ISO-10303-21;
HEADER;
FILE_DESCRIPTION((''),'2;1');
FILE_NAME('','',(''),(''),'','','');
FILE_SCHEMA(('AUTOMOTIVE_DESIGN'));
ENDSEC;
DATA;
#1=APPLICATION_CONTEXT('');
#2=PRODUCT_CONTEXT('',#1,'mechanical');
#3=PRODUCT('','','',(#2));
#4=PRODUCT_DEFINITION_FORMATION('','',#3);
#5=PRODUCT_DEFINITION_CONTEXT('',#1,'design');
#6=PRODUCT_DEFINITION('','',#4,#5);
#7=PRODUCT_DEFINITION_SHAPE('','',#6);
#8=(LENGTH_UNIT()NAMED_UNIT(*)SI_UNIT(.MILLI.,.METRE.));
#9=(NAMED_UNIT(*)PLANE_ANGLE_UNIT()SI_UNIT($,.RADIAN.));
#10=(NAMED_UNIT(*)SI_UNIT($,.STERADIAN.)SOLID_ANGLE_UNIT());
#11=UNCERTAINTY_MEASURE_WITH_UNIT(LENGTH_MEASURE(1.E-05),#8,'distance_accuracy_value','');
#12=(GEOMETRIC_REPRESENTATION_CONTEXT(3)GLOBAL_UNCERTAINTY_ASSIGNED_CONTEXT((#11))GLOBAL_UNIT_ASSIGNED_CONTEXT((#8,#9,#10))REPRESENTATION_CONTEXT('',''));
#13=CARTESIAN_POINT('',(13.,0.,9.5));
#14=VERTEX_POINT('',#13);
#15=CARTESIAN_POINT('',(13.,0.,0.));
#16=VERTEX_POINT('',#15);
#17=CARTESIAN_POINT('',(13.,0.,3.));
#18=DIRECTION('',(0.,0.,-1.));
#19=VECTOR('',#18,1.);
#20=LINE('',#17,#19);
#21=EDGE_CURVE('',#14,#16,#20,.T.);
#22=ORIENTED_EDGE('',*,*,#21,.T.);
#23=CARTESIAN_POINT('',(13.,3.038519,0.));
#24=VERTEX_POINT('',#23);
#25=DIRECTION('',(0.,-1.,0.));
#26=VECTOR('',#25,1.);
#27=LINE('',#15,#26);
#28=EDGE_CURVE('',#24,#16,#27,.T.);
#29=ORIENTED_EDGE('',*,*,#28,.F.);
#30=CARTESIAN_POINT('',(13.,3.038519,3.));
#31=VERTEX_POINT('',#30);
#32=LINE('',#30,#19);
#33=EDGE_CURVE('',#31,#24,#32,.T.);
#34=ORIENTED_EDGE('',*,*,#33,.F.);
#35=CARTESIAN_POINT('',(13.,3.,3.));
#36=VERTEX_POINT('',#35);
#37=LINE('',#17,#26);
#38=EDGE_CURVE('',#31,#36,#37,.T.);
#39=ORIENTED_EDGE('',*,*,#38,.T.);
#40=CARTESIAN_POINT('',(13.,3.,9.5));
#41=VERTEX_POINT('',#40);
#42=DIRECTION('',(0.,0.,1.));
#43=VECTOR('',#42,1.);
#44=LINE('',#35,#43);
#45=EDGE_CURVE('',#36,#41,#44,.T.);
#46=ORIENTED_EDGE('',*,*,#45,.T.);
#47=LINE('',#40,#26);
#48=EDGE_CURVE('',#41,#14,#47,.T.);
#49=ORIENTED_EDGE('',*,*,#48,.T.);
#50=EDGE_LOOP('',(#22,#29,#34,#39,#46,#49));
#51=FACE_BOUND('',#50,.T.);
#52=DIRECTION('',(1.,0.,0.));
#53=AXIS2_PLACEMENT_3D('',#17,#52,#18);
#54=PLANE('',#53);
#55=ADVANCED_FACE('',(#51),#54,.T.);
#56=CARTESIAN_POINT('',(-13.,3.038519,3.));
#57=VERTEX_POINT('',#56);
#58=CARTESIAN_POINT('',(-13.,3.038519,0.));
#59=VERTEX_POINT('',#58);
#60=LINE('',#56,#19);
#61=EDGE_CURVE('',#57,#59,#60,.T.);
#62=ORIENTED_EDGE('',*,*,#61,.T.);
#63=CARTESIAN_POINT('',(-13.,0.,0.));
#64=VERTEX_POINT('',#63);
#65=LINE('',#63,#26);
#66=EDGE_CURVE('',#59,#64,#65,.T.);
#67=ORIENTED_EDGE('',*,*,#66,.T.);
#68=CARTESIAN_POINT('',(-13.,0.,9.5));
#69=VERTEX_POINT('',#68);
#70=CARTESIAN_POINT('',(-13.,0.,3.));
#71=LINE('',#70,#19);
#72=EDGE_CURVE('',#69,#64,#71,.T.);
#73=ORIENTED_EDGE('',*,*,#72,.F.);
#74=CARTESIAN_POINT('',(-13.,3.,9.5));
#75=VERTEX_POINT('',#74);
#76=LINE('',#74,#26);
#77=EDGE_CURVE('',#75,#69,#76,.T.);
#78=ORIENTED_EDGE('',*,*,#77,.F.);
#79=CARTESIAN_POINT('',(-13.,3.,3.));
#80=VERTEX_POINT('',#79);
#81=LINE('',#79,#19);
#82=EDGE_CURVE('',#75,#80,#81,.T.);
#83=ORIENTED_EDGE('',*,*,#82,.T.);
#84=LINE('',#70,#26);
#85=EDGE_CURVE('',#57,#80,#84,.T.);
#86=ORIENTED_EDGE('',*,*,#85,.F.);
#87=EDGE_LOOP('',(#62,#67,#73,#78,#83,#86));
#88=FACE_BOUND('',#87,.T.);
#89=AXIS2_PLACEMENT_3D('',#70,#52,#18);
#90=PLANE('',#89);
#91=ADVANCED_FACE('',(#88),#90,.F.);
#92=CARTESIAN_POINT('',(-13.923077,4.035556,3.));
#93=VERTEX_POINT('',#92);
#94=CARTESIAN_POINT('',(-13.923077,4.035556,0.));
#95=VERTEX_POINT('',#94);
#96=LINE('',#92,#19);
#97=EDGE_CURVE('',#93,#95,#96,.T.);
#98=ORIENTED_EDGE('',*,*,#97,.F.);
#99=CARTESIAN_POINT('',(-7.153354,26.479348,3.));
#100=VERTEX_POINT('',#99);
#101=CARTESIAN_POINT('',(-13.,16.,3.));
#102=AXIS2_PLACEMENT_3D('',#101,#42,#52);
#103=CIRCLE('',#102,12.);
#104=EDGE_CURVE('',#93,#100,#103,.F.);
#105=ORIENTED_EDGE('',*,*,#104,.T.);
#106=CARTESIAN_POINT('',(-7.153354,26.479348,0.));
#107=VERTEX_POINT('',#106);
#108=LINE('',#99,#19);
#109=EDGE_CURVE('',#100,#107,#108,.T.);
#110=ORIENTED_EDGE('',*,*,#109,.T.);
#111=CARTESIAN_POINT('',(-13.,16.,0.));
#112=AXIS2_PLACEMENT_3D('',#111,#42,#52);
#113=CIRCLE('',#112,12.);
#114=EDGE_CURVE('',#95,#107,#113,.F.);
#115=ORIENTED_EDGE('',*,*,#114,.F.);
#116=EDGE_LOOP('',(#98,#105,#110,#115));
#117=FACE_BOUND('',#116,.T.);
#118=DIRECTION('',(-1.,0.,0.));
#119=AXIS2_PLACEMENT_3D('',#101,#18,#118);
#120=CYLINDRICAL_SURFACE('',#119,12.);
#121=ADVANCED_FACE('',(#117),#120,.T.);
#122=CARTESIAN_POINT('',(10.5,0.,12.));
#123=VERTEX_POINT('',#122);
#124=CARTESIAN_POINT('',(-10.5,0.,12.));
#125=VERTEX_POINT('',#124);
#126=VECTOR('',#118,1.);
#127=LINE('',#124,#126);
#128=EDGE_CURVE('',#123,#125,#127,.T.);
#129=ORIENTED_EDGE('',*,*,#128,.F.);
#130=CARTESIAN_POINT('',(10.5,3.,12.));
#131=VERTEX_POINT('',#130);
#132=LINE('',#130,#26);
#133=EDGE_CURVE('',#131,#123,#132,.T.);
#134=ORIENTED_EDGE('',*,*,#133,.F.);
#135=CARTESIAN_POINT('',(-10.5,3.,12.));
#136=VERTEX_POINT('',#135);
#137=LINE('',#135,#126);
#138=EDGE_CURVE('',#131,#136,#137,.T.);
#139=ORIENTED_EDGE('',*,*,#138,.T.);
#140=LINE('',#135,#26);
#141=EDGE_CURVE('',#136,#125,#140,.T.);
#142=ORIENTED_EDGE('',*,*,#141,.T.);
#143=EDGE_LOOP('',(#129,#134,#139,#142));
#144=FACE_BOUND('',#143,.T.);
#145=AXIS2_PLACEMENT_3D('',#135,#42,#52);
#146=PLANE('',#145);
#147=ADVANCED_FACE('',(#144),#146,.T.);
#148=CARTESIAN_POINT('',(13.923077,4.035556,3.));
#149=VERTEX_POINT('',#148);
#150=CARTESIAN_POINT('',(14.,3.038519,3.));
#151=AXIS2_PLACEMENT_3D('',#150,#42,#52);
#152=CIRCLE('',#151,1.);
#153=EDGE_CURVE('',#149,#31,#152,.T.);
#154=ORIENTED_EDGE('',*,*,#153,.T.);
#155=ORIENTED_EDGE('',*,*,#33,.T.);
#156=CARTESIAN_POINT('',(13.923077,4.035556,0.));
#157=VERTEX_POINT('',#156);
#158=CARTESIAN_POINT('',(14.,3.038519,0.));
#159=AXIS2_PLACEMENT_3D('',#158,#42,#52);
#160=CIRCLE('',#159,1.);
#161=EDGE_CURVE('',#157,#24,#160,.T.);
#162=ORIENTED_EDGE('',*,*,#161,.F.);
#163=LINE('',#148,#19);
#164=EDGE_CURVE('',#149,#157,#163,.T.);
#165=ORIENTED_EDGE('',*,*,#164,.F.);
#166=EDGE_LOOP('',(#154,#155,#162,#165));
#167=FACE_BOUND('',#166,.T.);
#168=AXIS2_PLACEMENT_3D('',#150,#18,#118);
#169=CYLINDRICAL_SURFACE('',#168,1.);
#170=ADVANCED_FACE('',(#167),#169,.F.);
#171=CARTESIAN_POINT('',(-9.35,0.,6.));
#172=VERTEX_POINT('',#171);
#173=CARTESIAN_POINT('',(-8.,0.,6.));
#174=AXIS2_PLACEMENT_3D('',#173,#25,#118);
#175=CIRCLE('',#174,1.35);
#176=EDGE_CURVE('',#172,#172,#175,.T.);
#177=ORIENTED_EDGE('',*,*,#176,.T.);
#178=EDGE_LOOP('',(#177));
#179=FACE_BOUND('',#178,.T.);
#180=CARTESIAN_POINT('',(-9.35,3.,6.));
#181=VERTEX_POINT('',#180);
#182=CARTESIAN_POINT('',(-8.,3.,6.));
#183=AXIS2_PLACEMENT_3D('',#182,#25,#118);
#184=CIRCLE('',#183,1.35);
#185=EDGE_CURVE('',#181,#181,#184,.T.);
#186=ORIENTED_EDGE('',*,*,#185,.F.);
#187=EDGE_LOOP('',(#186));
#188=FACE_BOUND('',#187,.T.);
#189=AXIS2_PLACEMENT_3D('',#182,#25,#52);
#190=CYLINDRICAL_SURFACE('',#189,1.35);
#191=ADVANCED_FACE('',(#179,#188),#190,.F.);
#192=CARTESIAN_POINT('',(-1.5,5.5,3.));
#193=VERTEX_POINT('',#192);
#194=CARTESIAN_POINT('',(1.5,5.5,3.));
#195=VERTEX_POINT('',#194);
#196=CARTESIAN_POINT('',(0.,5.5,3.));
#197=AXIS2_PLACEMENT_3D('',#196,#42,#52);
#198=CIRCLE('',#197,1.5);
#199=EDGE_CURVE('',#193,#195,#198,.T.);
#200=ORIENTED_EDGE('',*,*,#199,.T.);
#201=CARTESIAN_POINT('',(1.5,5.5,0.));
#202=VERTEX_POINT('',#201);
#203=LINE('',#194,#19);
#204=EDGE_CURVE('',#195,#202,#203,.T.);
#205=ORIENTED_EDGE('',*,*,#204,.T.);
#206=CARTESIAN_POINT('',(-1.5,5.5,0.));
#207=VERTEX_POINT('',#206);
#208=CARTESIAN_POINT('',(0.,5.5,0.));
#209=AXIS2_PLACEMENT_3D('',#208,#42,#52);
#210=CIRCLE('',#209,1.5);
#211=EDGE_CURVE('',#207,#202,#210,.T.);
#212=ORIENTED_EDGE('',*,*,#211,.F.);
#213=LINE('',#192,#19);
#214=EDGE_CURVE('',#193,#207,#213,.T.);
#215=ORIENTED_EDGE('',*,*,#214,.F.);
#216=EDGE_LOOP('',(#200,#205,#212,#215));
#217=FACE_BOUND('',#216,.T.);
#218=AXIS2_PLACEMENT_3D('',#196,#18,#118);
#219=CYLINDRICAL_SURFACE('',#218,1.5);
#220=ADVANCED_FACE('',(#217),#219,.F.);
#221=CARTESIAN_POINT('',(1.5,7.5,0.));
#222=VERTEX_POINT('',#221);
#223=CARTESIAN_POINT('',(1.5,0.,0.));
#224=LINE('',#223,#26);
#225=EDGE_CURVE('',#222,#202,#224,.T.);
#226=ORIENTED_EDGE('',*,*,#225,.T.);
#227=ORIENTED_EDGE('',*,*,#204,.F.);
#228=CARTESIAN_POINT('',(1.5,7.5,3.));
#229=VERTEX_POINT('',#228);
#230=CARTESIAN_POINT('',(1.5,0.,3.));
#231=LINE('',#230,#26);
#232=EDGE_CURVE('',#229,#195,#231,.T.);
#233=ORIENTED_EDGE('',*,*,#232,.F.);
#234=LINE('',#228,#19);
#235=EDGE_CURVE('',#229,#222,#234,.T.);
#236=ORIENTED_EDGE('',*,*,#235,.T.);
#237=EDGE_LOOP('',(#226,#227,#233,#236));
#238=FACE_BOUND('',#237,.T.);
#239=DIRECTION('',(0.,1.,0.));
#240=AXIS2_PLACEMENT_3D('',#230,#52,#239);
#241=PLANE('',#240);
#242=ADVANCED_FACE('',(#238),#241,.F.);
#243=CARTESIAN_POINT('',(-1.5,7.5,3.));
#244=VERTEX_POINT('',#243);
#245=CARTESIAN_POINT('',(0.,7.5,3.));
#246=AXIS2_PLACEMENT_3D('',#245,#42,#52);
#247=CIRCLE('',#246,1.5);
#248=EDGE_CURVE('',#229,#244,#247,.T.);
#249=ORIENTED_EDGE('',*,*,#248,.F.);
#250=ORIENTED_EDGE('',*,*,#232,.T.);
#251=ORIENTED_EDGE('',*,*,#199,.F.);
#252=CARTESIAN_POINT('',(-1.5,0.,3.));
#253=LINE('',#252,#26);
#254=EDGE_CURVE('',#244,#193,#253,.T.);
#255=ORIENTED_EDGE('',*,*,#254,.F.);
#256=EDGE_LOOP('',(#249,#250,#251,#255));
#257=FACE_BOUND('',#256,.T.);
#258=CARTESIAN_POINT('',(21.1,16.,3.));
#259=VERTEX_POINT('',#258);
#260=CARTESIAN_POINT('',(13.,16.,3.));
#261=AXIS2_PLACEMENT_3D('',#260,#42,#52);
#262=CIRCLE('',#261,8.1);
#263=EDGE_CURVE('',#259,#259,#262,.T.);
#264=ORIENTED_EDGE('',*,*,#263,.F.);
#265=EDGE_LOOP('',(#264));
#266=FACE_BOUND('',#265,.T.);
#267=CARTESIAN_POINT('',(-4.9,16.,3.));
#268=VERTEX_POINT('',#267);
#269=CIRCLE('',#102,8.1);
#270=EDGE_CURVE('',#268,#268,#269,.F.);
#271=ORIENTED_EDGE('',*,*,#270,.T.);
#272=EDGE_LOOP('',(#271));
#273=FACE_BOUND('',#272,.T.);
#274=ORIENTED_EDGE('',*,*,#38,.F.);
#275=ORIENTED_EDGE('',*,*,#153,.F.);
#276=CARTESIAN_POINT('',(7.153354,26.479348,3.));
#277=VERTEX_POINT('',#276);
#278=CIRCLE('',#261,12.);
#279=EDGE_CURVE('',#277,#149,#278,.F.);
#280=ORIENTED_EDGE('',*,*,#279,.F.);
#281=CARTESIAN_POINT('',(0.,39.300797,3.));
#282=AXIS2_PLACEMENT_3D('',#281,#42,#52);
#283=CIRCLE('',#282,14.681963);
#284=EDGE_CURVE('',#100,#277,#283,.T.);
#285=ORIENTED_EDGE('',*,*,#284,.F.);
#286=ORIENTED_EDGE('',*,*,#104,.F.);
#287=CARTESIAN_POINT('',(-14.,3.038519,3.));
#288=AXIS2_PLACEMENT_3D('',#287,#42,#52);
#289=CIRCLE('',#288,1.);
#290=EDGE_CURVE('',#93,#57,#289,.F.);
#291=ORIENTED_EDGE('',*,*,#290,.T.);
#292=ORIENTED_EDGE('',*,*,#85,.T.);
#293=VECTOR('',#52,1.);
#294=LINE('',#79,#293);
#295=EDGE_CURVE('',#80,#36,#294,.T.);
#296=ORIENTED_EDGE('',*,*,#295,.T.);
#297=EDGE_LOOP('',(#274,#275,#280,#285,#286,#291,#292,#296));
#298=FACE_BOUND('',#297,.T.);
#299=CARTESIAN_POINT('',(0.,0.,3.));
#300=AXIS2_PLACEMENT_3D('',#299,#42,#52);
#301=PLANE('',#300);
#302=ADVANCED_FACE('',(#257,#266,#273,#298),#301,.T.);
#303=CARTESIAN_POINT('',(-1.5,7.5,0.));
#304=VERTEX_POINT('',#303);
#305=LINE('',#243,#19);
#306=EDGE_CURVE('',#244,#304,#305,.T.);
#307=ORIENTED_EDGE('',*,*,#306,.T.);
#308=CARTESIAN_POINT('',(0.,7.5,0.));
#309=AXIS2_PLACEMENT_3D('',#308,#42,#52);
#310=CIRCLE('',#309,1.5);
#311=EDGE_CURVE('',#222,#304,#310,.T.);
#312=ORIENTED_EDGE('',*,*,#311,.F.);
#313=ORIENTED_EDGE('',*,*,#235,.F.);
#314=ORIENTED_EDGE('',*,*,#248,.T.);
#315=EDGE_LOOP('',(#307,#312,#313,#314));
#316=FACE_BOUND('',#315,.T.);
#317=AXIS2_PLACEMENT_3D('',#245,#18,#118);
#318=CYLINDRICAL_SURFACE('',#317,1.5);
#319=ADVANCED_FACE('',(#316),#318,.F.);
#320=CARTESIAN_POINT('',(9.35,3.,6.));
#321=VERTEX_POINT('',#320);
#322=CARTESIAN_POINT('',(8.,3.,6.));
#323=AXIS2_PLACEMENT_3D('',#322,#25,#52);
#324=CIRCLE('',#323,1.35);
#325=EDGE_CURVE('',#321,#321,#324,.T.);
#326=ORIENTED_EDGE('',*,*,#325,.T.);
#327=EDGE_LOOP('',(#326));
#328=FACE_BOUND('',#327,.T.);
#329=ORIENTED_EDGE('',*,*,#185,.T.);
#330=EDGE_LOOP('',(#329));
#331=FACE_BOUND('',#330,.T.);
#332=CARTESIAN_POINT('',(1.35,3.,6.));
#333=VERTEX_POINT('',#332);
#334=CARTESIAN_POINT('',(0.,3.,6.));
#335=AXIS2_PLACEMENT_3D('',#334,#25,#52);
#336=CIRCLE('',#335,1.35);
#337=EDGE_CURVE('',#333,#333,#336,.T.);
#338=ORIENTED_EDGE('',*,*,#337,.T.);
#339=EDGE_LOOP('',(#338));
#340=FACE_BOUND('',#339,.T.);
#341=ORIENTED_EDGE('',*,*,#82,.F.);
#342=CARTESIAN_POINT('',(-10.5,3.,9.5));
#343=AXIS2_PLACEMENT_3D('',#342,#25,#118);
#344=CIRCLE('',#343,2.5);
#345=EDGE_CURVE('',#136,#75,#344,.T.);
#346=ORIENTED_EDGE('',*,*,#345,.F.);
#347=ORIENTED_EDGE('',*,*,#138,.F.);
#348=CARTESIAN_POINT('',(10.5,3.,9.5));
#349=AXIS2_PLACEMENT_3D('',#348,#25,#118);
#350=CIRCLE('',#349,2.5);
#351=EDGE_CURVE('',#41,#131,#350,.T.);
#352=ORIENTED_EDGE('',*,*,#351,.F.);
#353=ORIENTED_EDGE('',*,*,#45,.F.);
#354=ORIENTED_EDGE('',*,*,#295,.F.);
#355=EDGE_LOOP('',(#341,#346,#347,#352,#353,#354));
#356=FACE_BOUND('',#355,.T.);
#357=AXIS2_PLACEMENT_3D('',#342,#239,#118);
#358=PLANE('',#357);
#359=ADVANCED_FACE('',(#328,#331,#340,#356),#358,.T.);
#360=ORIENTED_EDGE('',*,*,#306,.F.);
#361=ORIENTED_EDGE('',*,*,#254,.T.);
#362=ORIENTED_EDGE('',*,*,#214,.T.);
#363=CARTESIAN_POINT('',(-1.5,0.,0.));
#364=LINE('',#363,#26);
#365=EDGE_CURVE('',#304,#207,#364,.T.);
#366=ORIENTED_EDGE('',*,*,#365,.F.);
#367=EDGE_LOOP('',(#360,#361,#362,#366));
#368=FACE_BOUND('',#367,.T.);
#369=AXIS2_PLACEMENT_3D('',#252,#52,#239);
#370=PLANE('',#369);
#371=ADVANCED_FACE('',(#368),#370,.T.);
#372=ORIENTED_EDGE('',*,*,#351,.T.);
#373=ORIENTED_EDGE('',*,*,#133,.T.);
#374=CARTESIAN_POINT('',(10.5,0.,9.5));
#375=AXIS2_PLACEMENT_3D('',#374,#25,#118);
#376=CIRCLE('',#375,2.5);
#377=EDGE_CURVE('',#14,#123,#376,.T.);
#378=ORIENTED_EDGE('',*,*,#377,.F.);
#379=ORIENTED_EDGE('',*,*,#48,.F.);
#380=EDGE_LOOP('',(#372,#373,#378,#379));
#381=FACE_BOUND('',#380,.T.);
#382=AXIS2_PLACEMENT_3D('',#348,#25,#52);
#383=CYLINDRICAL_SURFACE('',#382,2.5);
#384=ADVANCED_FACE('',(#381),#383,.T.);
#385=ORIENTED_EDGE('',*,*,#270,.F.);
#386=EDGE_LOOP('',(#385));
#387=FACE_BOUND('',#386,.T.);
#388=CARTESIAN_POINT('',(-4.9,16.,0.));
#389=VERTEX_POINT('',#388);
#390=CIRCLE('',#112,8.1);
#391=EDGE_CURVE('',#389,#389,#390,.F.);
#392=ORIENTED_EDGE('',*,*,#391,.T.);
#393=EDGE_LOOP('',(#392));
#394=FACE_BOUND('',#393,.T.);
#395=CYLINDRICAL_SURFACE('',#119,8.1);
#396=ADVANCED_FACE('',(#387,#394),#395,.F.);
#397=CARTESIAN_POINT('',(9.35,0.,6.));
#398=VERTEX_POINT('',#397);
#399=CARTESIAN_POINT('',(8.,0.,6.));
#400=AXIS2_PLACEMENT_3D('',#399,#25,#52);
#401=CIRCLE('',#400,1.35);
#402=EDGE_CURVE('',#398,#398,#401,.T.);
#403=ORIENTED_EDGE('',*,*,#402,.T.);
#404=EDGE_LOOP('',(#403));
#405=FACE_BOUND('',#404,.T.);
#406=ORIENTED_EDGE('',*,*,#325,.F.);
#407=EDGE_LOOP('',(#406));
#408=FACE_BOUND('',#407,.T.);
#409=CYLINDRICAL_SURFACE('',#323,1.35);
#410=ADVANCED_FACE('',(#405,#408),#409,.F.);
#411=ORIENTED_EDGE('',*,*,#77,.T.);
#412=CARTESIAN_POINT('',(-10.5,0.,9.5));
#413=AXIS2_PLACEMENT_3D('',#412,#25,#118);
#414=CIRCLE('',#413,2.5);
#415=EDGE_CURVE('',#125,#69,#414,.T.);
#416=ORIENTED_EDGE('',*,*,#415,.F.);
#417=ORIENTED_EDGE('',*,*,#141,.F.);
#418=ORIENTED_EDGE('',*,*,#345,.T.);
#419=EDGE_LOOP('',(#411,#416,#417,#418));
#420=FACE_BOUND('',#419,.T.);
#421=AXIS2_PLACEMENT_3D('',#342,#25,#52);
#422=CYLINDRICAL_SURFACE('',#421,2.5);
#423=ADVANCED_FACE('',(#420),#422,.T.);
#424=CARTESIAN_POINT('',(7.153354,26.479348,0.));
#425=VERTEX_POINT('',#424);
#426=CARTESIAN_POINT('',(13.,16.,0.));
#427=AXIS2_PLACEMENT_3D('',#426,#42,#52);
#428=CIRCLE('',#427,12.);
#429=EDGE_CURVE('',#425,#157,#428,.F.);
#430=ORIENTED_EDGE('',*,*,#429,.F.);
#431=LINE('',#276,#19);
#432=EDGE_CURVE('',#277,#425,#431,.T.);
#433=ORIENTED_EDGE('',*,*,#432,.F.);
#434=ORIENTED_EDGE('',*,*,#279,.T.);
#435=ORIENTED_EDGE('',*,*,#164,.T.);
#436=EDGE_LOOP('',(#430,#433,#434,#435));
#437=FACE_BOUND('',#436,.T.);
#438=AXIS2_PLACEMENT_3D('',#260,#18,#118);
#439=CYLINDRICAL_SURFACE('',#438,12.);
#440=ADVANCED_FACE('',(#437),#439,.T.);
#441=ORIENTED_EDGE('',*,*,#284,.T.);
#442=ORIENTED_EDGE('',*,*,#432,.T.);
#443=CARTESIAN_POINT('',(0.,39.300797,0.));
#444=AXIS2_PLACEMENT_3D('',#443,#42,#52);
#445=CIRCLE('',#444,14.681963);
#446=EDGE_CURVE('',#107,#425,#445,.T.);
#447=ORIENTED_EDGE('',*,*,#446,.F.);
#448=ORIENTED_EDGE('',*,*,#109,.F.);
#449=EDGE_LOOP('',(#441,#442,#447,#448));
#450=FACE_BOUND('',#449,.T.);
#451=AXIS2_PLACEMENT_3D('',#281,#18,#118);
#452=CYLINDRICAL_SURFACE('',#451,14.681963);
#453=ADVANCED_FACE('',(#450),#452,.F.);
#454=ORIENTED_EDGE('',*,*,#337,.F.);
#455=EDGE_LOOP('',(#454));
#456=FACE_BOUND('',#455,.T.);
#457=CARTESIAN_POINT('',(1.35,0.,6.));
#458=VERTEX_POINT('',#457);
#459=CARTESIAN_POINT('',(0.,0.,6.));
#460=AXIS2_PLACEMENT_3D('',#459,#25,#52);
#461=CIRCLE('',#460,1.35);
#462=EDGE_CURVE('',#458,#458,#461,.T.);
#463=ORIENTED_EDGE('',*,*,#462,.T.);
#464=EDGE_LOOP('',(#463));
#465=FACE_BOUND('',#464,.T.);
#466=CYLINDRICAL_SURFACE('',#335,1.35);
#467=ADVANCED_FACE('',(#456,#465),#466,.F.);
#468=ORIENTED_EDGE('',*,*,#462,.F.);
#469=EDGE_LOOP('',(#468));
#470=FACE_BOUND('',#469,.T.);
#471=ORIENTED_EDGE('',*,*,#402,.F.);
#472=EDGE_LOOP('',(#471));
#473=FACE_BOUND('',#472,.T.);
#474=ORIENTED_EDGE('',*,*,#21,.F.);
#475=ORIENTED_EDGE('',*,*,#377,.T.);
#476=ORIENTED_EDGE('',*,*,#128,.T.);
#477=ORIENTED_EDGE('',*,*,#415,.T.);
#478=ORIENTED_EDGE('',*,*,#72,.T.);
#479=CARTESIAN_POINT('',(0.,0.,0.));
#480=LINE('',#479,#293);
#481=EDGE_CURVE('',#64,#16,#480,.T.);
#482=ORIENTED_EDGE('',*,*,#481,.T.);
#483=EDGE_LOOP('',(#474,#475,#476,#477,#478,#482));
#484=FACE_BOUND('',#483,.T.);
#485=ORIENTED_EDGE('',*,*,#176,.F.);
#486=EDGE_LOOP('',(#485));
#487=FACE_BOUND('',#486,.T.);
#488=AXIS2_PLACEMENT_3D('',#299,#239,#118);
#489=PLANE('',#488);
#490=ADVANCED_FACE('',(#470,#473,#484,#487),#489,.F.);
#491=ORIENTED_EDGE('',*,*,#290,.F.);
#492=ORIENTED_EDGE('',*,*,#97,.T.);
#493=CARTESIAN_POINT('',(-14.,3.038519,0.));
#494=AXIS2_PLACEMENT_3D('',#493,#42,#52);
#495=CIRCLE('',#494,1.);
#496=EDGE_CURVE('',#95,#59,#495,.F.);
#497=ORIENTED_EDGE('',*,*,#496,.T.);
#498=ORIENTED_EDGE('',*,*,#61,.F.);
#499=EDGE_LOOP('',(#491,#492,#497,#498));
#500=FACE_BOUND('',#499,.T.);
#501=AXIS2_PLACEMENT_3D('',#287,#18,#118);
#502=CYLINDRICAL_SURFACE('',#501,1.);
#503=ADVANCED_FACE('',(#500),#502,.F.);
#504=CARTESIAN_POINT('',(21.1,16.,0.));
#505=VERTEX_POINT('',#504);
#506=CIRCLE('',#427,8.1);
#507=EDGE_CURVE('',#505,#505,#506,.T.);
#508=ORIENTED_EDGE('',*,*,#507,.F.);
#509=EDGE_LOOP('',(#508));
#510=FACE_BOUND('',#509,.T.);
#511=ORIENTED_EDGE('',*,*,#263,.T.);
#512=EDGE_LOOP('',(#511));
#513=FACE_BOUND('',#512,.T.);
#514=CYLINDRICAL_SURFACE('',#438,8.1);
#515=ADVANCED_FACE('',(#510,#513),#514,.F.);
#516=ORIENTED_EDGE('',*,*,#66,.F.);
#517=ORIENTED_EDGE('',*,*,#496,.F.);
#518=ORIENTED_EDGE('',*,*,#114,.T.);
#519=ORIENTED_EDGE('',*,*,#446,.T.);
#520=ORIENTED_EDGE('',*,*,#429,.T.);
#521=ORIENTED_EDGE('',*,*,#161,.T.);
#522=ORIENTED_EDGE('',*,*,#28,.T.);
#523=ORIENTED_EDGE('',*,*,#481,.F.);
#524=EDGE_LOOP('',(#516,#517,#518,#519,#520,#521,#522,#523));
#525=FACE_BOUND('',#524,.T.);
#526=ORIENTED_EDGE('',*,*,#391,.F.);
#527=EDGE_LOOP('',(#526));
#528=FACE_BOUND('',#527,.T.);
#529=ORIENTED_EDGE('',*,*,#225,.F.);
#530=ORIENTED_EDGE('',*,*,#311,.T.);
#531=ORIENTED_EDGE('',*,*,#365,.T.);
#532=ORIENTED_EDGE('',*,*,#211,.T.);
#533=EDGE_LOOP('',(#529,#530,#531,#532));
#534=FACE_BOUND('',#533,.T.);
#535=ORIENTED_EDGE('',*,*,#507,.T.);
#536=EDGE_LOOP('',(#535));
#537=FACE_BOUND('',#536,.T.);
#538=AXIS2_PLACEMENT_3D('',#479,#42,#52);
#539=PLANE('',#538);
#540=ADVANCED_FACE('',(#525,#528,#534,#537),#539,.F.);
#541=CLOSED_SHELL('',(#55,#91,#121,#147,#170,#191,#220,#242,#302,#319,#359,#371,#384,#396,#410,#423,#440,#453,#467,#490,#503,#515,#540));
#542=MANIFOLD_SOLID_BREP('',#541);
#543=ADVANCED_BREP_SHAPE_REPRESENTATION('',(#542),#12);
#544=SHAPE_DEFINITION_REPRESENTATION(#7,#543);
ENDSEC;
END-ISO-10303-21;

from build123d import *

# Parameters (mm, degrees)
SKETCH1_R           = 8.1
BOSS_EXTRUDE1_DEPTH = 3
SKETCH3_R           = 1.35
BOSS_EXTRUDE2_DEPTH = 3


with BuildPart() as part:
    # Sketch1 → Boss-Extrude1 (new body)
    with BuildSketch(Plane.XY):
        with BuildLine():
            Line((-13, 3.038518603), (-13, 0))
            Line((-13, 0), (13, 0))
            Line((13, 0), (13, 3.038518603))
            ThreePointArc((13, 3.038518603), (13.266200614, 3.717884824), (13.923076923, 4.035555634))
            ThreePointArc((13.923076923, 4.035555634), (21.805592628, 7.847605354), (25, 16))
            ThreePointArc((25, 16), (19.076193076, 26.347940747), (7.153353716, 26.479347653))
            ThreePointArc((7.153353716, 26.479347653), (0, 24.618834191), (-7.153353716, 26.479347653))
            ThreePointArc((-7.153353716, 26.479347653), (-19.076193076, 26.347940747), (-25, 16))
            ThreePointArc((-25, 16), (-21.805592628, 7.847605354), (-13.923076923, 4.035555634))
            ThreePointArc((-13.923076923, 4.035555634), (-13.266200614, 3.717884824), (-13, 3.038518603))
        make_face()
        with BuildLine():
            ThreePointArc((-1.5, 7.5), (0, 9), (1.5, 7.5))
            Line((1.5, 7.5), (1.5, 5.5))
            ThreePointArc((1.5, 5.5), (0, 4), (-1.5, 5.5))
            Line((-1.5, 5.5), (-1.5, 7.5))
        make_face(mode=Mode.SUBTRACT)
        with Locations((-13, 16)):
            Circle(SKETCH1_R, mode=Mode.SUBTRACT)
        with Locations((13, 16)):
            Circle(SKETCH1_R, mode=Mode.SUBTRACT)
    extrude(amount=BOSS_EXTRUDE1_DEPTH)

    # Sketch3 → Boss-Extrude2 (add)
    with BuildSketch(Plane.XZ):
        with BuildLine():
            Line((-13, 3), (13, 3))
            Line((13, 3), (13, 9.5))
            ThreePointArc((13, 9.5), (12.267766953, 11.267766953), (10.5, 12))
            Line((10.5, 12), (-10.5, 12))
            ThreePointArc((-10.5, 12), (-12.267766953, 11.267766953), (-13, 9.5))
            Line((-13, 9.5), (-13, 3))
        make_face()
        with Locations((8, 6)):
            Circle(SKETCH3_R, mode=Mode.SUBTRACT)
        with Locations((-8, 6)):
            Circle(SKETCH3_R, mode=Mode.SUBTRACT)
        with Locations((0, 6)):
            Circle(SKETCH3_R, mode=Mode.SUBTRACT)
    extrude(amount=-BOSS_EXTRUDE2_DEPTH)


solid = part.part
